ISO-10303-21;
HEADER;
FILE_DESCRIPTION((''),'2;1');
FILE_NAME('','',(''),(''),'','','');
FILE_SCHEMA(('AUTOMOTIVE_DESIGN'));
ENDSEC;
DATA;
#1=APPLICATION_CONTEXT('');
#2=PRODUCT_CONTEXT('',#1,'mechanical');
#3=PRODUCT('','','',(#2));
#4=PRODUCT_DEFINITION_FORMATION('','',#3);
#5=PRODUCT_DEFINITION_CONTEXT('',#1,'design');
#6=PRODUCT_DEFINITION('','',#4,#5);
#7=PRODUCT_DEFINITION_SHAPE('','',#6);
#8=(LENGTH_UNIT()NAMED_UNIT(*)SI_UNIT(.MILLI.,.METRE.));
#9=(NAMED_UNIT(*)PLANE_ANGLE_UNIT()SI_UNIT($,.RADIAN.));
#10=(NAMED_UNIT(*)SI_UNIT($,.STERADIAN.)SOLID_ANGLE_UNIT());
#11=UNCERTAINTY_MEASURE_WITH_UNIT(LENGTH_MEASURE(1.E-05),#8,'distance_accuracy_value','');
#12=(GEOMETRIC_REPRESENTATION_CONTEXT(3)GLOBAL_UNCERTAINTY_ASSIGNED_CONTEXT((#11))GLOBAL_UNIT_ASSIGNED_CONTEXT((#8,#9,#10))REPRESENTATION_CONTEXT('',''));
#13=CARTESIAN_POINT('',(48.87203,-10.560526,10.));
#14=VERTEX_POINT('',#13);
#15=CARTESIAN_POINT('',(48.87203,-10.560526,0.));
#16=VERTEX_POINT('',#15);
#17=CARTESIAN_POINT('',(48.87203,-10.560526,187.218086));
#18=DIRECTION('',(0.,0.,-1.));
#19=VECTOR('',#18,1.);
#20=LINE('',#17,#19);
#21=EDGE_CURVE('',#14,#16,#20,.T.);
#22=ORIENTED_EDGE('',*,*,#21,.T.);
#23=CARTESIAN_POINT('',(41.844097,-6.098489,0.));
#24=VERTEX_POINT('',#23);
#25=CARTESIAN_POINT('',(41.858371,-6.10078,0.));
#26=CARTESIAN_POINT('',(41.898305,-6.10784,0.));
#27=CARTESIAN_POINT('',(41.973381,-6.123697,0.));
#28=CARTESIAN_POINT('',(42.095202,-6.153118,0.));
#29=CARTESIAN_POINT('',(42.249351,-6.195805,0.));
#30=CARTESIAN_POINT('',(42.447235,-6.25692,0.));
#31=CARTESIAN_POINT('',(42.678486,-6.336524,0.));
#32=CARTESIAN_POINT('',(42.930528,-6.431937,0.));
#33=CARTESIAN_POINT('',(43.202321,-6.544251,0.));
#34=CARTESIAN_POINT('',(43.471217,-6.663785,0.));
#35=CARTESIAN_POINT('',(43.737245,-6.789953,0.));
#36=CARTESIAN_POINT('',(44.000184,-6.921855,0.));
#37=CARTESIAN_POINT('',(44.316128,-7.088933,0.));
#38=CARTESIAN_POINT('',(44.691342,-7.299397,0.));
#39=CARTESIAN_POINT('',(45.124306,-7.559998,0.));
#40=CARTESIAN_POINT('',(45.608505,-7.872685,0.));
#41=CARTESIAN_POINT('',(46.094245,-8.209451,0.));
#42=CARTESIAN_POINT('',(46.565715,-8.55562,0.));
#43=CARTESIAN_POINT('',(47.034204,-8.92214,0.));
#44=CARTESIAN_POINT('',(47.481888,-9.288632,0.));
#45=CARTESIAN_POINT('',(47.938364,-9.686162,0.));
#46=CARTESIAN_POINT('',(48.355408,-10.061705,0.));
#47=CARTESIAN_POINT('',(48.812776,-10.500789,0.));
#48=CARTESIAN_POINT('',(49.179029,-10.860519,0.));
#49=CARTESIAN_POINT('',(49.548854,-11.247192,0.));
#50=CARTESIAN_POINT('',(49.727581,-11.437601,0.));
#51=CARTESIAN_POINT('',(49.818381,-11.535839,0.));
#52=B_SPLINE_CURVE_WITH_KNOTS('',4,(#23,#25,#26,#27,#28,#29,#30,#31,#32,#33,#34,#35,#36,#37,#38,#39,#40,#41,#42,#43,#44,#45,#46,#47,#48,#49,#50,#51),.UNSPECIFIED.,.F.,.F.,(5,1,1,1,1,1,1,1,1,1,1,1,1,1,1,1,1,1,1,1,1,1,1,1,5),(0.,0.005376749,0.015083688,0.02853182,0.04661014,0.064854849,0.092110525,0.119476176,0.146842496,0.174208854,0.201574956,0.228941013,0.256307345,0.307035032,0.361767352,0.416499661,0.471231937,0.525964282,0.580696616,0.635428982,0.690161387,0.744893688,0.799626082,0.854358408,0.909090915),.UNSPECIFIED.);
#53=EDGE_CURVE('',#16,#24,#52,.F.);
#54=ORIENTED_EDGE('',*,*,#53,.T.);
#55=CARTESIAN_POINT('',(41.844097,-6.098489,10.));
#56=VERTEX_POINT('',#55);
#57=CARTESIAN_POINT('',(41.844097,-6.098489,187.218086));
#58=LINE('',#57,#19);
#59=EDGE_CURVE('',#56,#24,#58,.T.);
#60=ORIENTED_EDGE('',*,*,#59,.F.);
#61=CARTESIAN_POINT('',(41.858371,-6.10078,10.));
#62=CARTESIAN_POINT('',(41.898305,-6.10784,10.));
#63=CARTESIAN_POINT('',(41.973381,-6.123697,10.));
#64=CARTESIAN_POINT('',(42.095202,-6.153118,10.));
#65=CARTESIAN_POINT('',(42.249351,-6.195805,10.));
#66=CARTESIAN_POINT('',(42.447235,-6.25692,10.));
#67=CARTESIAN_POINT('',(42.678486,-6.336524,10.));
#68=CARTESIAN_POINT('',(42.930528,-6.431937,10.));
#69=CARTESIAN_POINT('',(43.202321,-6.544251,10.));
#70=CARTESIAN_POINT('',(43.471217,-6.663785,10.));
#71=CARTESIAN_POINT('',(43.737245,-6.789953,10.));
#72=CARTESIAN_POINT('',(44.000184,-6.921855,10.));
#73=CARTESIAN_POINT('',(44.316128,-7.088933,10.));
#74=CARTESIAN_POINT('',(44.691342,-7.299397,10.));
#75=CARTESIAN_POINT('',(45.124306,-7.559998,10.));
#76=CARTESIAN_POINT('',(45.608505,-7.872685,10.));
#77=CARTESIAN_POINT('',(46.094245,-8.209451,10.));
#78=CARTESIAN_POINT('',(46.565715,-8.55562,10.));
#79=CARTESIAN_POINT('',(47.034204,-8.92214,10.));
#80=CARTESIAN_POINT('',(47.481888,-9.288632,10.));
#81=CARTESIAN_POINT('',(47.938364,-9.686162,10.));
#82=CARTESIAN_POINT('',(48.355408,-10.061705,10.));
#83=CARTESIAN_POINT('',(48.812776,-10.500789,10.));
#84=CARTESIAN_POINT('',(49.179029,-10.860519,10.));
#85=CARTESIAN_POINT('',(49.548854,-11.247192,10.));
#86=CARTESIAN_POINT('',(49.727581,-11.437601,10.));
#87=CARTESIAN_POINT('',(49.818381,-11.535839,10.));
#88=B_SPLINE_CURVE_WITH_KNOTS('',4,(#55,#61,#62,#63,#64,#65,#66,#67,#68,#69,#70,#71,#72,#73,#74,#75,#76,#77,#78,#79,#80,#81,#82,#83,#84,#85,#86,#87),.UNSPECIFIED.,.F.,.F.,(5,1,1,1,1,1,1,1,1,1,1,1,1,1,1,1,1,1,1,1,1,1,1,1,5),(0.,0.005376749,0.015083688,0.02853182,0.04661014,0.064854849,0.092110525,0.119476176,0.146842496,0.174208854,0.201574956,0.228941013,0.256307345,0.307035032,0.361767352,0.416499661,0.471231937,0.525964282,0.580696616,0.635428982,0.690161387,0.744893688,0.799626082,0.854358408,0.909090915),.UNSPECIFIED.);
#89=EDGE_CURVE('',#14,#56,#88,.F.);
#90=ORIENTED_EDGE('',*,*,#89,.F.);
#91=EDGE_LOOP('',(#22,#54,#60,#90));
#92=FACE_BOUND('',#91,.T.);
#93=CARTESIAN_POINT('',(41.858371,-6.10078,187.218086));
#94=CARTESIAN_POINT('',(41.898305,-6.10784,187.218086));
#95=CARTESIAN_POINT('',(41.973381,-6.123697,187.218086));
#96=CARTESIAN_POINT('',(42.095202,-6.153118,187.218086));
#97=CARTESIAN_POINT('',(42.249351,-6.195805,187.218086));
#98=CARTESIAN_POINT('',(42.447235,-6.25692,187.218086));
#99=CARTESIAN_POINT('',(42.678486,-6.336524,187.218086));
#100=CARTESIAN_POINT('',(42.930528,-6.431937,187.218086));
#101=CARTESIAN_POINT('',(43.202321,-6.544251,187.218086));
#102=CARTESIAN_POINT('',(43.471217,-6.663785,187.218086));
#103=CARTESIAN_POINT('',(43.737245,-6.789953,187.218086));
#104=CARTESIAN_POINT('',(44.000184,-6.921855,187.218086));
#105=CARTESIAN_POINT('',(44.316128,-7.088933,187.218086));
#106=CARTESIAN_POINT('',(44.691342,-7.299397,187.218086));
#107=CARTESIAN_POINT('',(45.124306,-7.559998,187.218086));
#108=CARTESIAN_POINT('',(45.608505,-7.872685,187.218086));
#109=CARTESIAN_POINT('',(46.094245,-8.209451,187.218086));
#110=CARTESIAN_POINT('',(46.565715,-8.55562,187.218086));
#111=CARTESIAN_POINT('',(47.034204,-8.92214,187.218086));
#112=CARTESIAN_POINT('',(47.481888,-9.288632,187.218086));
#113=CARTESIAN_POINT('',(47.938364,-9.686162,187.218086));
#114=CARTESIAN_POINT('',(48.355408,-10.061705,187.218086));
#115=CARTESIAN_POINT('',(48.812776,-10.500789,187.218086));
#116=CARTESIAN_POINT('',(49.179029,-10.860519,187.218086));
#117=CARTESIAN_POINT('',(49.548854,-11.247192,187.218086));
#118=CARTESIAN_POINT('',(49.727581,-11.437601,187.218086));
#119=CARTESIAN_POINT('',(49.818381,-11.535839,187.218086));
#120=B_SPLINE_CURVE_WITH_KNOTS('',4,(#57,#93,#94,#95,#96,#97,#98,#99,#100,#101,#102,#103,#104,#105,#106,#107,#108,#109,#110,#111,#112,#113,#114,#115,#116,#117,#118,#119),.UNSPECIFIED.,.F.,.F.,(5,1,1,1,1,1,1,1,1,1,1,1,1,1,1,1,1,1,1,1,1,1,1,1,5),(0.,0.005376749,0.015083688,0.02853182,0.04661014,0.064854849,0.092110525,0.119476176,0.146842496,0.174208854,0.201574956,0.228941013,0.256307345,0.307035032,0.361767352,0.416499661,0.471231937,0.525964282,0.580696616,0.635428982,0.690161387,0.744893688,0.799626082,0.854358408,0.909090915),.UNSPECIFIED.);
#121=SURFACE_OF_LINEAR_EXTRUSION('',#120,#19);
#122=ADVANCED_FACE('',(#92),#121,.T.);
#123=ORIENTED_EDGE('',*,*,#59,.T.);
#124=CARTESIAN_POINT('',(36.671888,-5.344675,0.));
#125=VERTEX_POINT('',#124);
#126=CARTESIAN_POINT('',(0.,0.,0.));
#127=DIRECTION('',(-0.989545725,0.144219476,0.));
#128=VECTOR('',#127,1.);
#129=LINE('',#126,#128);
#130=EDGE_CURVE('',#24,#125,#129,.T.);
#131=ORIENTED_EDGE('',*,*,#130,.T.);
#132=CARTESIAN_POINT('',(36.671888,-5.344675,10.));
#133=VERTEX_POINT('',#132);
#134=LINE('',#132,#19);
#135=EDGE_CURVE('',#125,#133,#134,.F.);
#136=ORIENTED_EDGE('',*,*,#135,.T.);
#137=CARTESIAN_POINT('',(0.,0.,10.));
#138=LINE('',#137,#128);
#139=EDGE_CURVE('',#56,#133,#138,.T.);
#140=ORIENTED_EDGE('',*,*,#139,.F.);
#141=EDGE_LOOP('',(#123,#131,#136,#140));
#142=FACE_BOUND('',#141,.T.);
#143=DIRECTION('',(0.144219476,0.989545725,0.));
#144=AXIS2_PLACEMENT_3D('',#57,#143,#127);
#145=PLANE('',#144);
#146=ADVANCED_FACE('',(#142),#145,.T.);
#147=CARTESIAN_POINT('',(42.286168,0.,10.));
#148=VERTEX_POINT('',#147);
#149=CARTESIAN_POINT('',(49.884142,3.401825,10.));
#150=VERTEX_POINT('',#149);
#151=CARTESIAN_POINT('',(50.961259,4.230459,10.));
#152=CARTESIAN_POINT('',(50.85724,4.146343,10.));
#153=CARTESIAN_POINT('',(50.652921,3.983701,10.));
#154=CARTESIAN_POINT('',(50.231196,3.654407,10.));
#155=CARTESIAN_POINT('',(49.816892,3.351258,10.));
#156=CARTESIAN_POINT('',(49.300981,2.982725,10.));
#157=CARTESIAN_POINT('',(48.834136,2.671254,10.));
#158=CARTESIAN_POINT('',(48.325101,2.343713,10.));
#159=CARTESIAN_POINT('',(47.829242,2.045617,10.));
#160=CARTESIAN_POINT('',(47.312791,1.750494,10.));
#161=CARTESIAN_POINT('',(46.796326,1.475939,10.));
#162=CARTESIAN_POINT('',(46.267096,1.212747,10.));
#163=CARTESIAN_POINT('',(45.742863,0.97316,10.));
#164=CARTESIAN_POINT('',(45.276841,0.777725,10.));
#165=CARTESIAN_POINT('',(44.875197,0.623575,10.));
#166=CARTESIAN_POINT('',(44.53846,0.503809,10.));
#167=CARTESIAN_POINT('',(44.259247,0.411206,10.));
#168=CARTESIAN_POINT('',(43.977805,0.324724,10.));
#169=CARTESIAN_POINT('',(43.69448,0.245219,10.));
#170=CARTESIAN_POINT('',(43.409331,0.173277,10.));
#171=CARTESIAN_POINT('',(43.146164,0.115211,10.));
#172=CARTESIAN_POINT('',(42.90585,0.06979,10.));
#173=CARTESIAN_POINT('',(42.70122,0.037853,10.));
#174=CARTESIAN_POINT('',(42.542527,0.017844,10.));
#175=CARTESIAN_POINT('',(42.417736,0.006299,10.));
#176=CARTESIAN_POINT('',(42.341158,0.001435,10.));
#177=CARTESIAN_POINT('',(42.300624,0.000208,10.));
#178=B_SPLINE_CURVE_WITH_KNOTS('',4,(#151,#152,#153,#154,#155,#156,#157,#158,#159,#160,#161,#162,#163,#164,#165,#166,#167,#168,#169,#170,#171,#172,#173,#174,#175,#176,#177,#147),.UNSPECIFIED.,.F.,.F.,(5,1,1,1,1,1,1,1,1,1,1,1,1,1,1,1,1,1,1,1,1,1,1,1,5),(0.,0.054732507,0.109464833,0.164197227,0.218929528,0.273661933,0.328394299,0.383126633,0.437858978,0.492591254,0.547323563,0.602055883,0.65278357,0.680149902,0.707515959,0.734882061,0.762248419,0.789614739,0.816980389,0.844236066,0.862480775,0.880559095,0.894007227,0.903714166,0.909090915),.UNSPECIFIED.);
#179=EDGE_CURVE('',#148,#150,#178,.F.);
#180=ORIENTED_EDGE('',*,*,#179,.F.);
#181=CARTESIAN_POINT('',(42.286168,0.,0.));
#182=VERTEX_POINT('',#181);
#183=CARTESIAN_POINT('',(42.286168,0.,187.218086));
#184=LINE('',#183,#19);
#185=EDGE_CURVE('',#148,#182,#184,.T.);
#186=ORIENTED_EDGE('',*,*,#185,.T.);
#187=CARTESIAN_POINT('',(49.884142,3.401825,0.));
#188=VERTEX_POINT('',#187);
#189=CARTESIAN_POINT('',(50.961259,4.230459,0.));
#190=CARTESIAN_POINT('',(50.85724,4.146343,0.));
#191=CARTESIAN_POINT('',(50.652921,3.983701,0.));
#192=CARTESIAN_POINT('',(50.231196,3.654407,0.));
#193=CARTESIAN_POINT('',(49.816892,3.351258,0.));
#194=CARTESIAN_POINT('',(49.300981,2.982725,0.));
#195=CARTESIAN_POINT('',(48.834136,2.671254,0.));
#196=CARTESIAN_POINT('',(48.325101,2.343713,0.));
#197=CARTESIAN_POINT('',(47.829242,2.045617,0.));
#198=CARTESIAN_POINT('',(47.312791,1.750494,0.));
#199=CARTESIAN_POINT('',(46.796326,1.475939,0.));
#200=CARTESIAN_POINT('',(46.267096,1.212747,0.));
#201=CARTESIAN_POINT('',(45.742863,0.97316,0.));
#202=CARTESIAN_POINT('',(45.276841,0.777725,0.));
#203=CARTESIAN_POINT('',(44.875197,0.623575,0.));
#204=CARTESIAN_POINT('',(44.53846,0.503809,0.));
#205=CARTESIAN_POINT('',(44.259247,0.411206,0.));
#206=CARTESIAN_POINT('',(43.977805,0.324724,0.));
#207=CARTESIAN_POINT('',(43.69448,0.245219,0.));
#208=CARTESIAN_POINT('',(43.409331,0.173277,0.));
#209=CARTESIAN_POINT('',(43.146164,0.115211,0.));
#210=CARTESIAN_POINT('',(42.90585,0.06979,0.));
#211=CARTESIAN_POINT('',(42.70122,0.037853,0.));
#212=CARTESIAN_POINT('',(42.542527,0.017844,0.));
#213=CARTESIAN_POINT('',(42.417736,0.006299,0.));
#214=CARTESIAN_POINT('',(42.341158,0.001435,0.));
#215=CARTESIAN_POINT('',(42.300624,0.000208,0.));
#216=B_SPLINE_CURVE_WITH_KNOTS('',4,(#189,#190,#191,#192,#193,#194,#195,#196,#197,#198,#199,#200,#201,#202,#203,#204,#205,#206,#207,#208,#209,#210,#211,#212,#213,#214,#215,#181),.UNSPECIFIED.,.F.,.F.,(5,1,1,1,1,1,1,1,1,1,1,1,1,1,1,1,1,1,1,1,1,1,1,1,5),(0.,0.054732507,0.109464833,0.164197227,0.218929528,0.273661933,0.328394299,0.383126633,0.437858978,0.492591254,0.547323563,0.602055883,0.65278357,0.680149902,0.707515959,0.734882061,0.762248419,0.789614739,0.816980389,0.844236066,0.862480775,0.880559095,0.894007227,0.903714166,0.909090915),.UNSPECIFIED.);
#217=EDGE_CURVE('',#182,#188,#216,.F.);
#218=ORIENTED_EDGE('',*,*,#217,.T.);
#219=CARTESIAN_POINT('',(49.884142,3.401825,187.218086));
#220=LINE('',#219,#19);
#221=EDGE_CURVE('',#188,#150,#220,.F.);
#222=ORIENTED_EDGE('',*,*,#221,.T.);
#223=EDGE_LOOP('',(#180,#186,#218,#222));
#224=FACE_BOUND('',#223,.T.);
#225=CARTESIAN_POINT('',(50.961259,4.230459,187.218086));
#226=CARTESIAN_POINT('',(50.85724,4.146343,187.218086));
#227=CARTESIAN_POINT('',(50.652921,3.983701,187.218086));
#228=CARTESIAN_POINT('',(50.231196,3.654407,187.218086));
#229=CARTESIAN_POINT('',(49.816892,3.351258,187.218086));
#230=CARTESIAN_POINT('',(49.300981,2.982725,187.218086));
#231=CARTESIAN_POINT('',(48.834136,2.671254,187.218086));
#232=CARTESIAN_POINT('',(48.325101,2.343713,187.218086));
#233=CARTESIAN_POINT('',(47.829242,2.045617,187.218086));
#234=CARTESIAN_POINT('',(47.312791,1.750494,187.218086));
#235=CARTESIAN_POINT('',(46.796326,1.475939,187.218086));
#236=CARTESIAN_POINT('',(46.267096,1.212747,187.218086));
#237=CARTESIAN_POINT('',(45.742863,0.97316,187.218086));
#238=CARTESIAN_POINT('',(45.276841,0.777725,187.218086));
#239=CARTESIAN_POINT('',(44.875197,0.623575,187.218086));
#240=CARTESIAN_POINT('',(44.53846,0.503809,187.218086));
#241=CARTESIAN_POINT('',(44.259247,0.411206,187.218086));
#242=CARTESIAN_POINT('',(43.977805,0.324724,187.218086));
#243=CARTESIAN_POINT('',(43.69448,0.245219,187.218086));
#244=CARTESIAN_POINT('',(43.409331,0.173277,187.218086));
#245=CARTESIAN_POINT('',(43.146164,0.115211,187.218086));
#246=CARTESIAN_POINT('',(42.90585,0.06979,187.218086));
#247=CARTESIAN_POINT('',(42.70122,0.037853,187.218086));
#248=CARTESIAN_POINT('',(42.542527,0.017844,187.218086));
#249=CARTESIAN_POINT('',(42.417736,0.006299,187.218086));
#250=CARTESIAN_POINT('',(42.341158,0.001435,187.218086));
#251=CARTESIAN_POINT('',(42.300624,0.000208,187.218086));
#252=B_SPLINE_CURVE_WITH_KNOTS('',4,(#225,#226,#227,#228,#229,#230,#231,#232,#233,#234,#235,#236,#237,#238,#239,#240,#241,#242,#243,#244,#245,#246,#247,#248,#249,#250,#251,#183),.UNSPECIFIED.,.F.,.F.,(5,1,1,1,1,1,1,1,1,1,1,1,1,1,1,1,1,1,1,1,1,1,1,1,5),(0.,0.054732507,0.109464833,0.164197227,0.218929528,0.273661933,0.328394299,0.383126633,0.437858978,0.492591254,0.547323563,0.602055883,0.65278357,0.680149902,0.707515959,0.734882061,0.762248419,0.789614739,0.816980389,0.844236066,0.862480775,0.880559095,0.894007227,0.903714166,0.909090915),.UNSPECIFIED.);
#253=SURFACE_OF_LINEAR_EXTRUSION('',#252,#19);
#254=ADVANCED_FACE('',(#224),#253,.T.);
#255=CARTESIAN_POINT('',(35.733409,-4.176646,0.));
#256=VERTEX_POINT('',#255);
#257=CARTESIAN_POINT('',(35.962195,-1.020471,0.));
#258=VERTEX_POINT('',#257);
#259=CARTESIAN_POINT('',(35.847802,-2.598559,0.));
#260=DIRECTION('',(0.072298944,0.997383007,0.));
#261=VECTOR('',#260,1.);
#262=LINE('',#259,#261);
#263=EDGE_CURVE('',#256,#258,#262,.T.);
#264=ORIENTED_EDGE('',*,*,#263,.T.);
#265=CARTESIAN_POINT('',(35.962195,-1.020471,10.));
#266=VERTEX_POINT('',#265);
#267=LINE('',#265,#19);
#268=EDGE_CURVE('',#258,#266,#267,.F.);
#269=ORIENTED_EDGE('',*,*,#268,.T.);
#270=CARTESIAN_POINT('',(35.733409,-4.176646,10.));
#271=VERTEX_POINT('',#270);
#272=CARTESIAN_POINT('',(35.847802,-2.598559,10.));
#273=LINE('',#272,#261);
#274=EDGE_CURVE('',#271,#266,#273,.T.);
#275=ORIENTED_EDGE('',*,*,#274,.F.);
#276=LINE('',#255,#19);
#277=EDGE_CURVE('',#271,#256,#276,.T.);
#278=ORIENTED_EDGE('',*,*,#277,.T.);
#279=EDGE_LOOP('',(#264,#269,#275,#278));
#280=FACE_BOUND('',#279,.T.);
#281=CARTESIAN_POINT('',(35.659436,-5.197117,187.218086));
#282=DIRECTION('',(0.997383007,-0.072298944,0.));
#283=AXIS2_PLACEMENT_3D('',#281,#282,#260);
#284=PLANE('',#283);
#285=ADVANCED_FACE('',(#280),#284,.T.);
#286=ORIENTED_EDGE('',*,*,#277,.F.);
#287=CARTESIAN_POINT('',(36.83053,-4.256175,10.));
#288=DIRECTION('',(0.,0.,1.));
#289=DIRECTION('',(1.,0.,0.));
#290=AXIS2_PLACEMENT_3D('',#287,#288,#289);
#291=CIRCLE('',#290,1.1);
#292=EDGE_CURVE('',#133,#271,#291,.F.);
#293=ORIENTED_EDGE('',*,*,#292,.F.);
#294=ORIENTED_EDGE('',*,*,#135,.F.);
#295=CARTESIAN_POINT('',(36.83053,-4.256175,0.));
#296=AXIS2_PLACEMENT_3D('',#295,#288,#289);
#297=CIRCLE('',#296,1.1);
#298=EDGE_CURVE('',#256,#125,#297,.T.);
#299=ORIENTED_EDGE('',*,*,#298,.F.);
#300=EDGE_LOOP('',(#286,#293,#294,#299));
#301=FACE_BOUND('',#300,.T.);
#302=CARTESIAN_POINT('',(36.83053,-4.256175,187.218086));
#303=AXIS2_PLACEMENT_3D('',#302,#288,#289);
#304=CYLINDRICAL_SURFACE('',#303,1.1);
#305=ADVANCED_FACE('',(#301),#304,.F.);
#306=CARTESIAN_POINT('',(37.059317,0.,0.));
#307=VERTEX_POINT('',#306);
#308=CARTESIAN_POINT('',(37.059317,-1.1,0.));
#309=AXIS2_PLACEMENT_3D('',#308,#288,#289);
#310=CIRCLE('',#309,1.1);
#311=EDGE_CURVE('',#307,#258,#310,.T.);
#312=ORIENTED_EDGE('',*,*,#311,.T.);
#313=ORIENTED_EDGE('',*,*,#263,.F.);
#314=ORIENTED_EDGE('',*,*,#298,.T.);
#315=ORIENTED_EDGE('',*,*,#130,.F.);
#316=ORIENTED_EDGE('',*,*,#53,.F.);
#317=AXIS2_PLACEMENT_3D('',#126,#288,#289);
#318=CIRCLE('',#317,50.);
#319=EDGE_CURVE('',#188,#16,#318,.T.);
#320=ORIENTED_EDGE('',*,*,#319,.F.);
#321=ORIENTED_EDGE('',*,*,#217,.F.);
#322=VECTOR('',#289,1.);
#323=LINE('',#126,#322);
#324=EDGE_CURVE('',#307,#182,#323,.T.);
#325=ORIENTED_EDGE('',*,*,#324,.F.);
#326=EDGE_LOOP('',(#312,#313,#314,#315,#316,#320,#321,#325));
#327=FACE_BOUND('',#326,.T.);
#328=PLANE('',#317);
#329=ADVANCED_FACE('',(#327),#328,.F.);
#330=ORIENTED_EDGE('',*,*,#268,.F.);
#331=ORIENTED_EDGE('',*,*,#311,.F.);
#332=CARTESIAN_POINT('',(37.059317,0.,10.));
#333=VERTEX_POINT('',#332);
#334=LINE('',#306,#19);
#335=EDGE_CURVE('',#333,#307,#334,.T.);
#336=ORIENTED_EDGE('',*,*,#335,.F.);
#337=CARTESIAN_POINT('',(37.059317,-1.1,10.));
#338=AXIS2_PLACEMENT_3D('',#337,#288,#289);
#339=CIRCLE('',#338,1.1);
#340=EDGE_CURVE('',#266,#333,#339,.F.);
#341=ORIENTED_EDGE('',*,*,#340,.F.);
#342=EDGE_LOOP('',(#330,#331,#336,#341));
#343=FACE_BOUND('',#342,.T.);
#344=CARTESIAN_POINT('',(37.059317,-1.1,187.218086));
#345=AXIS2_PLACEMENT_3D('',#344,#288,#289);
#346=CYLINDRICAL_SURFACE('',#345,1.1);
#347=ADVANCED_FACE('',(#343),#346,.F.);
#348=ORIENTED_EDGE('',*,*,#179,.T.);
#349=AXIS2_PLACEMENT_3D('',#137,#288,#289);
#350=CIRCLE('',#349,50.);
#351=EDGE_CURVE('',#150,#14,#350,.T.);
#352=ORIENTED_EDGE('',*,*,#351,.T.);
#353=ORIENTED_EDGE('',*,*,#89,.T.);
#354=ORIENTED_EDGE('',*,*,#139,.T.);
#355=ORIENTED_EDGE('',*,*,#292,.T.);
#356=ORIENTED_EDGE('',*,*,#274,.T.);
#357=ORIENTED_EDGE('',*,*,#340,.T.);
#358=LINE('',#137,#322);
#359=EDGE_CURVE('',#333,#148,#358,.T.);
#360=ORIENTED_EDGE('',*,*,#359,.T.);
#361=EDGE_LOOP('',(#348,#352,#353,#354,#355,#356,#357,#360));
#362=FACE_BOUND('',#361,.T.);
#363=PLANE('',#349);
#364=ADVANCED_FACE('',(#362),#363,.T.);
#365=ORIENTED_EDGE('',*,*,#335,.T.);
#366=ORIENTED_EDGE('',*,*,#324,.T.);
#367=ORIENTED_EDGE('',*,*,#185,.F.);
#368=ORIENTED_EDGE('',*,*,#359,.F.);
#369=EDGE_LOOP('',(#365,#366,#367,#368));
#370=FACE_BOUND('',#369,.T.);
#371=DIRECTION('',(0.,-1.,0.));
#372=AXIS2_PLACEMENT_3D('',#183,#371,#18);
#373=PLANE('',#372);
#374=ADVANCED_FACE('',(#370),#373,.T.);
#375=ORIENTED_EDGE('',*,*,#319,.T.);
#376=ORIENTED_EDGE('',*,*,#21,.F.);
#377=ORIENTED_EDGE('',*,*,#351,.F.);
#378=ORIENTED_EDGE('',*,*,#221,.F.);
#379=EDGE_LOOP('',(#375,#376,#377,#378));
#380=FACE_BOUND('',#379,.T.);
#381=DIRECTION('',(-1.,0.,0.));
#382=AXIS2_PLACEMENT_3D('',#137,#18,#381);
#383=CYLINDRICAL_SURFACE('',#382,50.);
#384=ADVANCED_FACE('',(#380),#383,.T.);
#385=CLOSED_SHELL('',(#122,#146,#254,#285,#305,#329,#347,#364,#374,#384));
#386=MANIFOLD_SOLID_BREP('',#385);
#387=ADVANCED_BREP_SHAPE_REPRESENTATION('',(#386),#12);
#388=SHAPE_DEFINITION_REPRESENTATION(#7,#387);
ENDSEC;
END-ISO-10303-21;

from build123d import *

# Parameters (mm, degrees)
SKETCH2_R               = 50
BOSS_EXTRUDE1_DEPTH     = 10
CUT_EXTRUDE1_DEPTH      = 72.414284285
CUT_EXTRUDE1_DEPTH_BACK = 72.414284285
FILLET2_R               = 1.1


with BuildPart() as part:
    # Sketch2 → Boss-Extrude1 (new body)
    with BuildSketch(Plane.XY):
        Circle(SKETCH2_R)
    extrude(amount=BOSS_EXTRUDE1_DEPTH)

    # Sketch4 → Cut-Extrude1 (cut, two sides: drawn at the far end of the back side and taken through both)
    with BuildSketch(Plane.XY.offset(10).offset(-CUT_EXTRUDE1_DEPTH_BACK)):
        with BuildLine():
            add(Edge.make_bspline(
                [(42.286167935, 0), (42.300623625, 0.000207972), (42.341158058, 0.001435323), (42.417735849, 0.006298791), (42.542526621, 0.017843628), (42.701219946, 0.037852947), (42.905849783, 0.069790126), (43.146163964, 0.115211019), (43.409330629, 0.17327731), (43.694480037, 0.245219326), (43.977805099, 0.324724197), (44.259247021, 0.411205938), (44.538460268, 0.503808989), (44.875197444, 0.623574823), (45.276841168, 0.777725041), (45.742862789, 0.973159706), (46.267095665, 1.212747198), (46.796326187, 1.475938928), (47.312791354, 1.750494209), (47.829241884, 2.045617008), (48.325100599, 2.343712939), (48.834136207, 2.671254069), (49.264664533, 2.95849553), (49.608043611, 3.202248044), (49.805138833, 3.344334313), (49.884141613, 3.401825328)],
                knots=[0, 0, 0, 0, 0, 0.005376749, 0.015083688, 0.02853182, 0.04661014, 0.064854849, 0.092110525, 0.119476176, 0.146842496, 0.174208854, 0.201574956, 0.228941013, 0.256307345, 0.307035032, 0.361767352, 0.416499661, 0.471231937, 0.525964282, 0.580696616, 0.635428982, 0.690161387, 0.744893688, 0.782595304, 0.782595304, 0.782595304, 0.782595304, 0.782595304], degree=4))
            Line((42.286167935, 0), (36.036167935, 0))
            Line((36.036167935, 0), (35.65943594, -5.197117271))
            Line((35.65943594, -5.197117271), (41.844096723, -6.098488999))
            add(Edge.make_bspline(
                [(41.844096723, -6.098488999), (41.858371296, -6.100779588), (41.898304962, -6.107839963), (41.973380782, -6.123696596), (42.095201966, -6.153118), (42.249350534, -6.195804805), (42.447235152, -6.256919711), (42.678486444, -6.336523746), (42.930527603, -6.431936755), (43.202320541, -6.544250768), (43.471217494, -6.663785466), (43.737244794, -6.78995251), (44.000183905, -6.921855451), (44.316128172, -7.088933279), (44.691341539, -7.299396816), (45.124305757, -7.559997748), (45.608504976, -7.872685118), (46.094245403, -8.209450717), (46.565715083, -8.555620057), (47.034204041, -8.922139787), (47.481887674, -9.288631826), (47.938363873, -9.686161599), (48.322965525, -10.03249073), (48.627600964, -10.323216938), (48.802144091, -10.492242768), (48.87202963, -10.560526495)],
                knots=[0, 0, 0, 0, 0, 0.005376749, 0.015083688, 0.02853182, 0.04661014, 0.064854849, 0.092110525, 0.119476176, 0.146842496, 0.174208854, 0.201574956, 0.228941013, 0.256307345, 0.307035032, 0.361767352, 0.416499661, 0.471231937, 0.525964282, 0.580696616, 0.635428982, 0.690161387, 0.744893688, 0.782595304, 0.782595304, 0.782595304, 0.782595304, 0.782595304], degree=4))
            ThreePointArc((48.87202963, -10.560526495), (49.717207693, -5.310297473), (50, 0))
            ThreePointArc((50, 0), (49.971027009, 1.701898846), (49.884141613, 3.401825328))
        make_face()
    extrude(amount=CUT_EXTRUDE1_DEPTH + CUT_EXTRUDE1_DEPTH_BACK, mode=Mode.SUBTRACT)

    # Fillet2
    fillet2_edges = [part.edges().sort_by_distance(p)[0] for p in [
        (36.036167935, 0, 5),
        (35.65943594, -5.197117271, 5),
    ]]
    fillet(fillet2_edges, radius=FILLET2_R)


solid = part.part
